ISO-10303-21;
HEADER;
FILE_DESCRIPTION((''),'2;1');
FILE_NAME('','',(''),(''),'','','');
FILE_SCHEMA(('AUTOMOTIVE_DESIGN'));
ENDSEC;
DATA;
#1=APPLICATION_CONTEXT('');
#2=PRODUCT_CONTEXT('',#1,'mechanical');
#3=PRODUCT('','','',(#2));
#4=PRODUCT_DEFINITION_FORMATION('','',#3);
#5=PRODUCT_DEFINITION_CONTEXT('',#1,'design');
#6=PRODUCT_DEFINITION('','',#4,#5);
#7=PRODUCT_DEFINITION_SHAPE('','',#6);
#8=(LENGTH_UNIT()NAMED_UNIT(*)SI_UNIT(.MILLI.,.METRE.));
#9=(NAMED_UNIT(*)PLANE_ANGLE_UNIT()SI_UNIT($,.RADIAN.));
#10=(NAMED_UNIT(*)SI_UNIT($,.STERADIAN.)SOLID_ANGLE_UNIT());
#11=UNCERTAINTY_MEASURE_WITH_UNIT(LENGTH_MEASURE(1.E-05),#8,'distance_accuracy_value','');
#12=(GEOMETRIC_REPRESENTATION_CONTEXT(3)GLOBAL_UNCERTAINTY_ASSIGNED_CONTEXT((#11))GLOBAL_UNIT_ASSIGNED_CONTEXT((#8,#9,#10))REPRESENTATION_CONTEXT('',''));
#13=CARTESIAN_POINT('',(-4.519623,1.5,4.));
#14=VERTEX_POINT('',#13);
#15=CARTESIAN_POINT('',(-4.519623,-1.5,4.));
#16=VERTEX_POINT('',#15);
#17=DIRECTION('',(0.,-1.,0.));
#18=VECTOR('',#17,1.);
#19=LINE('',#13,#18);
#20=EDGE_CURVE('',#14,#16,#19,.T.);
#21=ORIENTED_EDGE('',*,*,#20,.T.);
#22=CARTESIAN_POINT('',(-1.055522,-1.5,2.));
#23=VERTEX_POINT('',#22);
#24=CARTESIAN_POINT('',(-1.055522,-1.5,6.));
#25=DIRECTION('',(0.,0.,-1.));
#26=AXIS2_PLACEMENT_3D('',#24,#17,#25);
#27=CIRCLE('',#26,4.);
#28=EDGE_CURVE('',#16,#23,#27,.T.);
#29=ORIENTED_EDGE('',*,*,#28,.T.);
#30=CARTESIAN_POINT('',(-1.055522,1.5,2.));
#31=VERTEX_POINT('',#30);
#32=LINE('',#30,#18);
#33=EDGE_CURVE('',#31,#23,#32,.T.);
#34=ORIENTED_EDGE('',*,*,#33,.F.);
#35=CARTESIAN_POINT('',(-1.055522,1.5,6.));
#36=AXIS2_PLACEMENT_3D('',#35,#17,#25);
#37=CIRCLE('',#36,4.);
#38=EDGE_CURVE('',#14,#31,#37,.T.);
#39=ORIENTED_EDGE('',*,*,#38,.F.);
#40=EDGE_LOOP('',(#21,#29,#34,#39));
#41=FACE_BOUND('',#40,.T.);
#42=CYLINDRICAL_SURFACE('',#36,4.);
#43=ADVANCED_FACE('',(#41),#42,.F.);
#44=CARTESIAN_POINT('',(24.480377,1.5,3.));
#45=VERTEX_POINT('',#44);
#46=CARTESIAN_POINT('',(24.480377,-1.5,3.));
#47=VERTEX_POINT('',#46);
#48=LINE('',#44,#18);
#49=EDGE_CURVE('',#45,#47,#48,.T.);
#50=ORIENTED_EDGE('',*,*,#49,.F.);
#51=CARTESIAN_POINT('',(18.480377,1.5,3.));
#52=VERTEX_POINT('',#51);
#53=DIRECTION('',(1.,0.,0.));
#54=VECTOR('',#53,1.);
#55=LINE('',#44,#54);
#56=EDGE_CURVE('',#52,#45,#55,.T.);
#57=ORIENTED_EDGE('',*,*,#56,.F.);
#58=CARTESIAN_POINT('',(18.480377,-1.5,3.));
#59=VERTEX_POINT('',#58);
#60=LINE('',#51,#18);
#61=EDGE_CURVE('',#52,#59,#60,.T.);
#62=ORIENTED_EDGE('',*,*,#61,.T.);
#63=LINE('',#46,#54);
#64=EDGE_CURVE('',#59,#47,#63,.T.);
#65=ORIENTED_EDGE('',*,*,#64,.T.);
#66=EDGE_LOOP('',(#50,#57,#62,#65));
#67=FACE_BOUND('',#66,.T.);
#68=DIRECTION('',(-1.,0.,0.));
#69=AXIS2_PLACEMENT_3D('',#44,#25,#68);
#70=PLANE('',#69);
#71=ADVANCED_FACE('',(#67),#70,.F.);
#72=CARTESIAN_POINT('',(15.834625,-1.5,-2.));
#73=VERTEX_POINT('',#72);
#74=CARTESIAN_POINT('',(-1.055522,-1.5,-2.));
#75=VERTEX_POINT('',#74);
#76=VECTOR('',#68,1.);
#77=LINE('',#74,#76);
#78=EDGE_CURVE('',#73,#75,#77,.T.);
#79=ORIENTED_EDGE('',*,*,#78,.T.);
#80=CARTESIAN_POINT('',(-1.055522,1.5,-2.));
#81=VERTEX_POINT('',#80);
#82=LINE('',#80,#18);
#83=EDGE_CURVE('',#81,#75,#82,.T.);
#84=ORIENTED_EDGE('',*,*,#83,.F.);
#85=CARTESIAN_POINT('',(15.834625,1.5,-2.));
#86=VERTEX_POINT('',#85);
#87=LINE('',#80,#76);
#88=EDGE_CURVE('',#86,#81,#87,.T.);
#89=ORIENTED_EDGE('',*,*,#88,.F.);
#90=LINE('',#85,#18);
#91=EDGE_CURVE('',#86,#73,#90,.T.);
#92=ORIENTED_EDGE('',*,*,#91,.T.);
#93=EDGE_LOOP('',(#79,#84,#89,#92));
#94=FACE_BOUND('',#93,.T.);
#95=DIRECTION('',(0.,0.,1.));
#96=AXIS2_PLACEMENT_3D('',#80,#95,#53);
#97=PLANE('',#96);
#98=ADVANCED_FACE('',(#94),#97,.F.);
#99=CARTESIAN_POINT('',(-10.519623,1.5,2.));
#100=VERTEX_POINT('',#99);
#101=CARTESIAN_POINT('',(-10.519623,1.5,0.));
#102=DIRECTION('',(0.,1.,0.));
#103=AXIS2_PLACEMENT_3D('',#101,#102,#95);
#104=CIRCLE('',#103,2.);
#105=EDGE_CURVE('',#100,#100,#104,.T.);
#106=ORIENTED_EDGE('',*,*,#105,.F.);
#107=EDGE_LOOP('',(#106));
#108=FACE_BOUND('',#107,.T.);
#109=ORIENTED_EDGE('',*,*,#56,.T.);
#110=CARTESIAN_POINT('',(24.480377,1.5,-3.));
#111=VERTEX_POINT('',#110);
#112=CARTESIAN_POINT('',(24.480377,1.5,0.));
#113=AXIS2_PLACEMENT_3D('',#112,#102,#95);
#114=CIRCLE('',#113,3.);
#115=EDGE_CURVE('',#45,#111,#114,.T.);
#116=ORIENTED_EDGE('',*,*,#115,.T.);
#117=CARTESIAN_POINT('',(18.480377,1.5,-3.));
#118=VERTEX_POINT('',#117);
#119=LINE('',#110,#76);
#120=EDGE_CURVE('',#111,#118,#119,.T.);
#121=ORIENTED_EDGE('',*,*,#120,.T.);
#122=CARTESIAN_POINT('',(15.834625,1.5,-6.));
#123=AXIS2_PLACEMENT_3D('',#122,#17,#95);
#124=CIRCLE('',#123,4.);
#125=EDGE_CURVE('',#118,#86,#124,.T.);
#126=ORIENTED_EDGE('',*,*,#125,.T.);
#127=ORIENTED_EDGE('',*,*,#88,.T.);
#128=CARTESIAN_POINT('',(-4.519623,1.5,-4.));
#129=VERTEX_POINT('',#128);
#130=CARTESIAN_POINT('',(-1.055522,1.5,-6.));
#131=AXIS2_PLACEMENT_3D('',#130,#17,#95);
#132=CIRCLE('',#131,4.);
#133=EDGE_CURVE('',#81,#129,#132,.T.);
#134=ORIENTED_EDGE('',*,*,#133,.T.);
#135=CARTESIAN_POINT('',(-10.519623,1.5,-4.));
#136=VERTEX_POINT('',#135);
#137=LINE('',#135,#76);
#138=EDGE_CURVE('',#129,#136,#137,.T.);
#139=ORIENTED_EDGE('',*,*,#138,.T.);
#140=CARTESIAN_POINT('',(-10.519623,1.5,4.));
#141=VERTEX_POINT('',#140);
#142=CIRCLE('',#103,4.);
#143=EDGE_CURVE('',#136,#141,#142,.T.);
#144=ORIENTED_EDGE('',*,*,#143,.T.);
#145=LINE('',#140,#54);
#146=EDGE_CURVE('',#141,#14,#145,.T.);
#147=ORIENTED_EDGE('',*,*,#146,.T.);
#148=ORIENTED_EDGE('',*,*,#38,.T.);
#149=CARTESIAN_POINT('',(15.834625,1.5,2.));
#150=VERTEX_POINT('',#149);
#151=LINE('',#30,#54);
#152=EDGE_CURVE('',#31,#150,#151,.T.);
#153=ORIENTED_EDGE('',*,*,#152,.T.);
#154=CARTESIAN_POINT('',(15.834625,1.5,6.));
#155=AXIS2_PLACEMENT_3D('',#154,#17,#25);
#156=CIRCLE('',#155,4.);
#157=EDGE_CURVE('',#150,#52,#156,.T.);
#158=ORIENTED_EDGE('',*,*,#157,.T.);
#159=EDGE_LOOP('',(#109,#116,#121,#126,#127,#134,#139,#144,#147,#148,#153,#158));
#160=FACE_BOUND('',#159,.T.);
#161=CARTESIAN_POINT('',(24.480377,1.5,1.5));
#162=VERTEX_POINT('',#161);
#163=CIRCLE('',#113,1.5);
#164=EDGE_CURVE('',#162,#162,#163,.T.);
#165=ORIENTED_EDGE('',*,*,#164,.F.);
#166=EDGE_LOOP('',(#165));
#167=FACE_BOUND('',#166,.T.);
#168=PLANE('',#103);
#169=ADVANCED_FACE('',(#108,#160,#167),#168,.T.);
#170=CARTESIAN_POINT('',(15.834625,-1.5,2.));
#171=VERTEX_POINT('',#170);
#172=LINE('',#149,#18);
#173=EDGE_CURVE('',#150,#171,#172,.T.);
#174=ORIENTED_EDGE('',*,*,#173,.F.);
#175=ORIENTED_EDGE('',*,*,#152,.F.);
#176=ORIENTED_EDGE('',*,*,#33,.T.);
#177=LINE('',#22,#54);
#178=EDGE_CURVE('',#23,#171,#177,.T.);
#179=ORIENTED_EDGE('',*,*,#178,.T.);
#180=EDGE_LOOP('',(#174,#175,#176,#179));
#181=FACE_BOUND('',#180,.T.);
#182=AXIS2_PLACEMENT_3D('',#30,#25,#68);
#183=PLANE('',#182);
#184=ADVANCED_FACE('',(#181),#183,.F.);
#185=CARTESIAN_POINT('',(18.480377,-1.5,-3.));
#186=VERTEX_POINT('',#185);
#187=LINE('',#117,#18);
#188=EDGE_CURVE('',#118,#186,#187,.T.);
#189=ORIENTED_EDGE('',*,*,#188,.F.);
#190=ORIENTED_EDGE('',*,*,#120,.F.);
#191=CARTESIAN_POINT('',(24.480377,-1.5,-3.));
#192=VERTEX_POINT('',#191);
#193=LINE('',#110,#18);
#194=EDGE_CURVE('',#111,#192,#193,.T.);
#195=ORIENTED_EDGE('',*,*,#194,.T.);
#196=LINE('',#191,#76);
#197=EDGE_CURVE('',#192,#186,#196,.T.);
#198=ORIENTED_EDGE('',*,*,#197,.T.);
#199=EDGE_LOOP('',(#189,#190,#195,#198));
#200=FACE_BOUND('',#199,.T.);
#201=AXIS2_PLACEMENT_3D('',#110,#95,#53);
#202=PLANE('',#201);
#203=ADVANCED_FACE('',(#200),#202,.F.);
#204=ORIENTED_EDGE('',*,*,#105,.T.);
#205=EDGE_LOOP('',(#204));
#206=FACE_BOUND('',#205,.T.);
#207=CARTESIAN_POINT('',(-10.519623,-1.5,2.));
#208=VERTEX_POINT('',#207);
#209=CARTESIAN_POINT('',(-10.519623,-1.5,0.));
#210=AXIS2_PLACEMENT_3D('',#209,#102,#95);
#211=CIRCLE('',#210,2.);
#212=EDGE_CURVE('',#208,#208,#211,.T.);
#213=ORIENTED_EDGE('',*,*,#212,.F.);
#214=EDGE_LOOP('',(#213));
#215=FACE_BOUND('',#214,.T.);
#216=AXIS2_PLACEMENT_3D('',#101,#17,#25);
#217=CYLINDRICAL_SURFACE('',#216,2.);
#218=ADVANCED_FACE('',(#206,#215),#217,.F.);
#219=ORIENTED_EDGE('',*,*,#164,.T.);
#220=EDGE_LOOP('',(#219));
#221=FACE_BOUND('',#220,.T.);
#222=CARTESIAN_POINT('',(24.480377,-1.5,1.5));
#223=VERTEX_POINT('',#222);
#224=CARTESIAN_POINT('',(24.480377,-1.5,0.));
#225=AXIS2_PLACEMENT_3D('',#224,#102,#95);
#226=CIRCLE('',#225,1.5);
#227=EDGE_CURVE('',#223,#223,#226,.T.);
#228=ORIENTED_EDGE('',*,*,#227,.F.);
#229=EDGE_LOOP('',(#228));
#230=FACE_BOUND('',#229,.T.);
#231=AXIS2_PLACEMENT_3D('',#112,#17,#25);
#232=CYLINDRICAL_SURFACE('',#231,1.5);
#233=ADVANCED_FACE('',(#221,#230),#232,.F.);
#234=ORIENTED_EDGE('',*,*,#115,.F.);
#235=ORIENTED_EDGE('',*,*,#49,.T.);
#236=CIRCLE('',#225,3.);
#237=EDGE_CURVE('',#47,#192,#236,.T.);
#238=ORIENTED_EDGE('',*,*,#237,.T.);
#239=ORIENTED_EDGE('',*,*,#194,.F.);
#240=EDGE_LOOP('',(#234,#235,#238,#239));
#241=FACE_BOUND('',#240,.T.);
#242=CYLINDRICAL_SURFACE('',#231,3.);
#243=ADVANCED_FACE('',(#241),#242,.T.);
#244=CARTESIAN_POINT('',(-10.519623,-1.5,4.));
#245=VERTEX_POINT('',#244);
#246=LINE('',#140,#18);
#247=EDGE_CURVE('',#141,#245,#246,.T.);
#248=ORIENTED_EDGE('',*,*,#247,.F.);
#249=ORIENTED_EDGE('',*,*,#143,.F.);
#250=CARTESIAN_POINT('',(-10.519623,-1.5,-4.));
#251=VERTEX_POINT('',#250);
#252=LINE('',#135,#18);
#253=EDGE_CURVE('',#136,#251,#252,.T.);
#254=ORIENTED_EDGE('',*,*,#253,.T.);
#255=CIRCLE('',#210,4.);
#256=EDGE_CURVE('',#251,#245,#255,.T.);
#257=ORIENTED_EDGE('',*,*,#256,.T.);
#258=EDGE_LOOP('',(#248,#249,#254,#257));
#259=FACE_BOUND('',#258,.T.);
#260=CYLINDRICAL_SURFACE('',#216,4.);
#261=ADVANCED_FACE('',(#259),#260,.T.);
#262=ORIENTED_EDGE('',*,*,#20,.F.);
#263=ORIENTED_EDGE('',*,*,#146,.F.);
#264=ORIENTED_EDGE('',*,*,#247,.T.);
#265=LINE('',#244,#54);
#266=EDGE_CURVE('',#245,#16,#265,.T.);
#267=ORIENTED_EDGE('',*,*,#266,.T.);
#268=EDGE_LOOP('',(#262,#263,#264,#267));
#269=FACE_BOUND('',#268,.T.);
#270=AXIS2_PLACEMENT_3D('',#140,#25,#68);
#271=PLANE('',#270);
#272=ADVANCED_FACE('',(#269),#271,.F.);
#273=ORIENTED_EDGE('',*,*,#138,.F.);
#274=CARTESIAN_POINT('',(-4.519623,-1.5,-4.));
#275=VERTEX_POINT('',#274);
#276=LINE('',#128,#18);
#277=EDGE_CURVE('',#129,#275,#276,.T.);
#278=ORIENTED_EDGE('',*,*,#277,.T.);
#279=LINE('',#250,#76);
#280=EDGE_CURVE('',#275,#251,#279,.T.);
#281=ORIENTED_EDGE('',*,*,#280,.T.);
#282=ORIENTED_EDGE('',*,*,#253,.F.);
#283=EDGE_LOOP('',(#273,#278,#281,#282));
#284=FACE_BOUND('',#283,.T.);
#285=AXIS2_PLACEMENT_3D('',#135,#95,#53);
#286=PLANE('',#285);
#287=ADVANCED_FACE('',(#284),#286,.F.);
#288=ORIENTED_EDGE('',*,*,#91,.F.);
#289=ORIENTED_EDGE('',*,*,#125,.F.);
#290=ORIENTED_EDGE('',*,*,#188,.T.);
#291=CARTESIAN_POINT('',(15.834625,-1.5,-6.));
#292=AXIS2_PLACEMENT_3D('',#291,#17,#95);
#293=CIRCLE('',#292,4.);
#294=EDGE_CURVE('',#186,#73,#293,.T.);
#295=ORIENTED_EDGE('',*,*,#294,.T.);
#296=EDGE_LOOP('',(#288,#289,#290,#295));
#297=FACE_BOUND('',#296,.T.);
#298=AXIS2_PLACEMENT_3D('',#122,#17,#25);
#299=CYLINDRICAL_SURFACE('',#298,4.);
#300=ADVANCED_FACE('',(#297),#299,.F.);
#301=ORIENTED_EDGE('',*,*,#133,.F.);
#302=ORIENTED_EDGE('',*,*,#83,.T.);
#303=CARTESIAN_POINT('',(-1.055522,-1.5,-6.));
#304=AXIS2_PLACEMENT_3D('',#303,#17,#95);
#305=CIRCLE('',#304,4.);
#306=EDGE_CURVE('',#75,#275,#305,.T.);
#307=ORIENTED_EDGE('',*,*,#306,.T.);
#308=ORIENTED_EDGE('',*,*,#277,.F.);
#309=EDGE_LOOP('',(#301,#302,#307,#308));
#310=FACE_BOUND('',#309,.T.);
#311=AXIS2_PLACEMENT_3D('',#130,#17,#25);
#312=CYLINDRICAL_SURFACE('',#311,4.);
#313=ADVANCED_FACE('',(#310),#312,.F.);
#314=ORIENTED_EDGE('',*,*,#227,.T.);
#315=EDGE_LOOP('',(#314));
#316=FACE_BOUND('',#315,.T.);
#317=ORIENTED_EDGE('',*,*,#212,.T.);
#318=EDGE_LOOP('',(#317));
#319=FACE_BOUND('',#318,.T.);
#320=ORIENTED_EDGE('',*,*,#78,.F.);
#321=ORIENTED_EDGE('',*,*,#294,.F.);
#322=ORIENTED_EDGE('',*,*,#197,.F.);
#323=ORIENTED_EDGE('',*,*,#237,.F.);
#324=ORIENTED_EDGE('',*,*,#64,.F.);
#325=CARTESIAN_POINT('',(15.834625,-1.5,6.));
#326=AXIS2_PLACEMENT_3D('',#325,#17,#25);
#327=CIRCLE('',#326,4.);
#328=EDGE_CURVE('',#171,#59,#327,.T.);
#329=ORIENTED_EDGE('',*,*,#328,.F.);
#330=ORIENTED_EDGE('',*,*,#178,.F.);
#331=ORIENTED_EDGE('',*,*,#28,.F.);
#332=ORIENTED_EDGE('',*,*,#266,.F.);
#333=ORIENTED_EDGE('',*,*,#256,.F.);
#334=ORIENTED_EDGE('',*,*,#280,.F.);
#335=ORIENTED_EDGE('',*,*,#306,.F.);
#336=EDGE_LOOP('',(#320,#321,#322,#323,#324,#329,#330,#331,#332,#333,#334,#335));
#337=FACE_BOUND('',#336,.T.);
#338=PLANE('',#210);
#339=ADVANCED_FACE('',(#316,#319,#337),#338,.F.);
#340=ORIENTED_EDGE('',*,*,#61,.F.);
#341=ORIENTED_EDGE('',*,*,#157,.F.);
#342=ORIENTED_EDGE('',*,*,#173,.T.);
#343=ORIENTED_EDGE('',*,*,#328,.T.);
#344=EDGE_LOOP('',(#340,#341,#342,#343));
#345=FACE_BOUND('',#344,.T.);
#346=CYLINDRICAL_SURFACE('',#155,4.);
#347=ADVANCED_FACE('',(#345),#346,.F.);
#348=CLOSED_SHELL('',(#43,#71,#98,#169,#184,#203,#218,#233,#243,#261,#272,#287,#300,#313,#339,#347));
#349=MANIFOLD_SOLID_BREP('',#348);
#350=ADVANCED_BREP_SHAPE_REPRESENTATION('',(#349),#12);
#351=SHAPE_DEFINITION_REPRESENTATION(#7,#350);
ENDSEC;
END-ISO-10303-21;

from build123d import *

# Parameters (mm, degrees)
SKETCH1_R           = 2
SKETCH1_R_2         = 1.5
BOSS_EXTRUDE1_DEPTH = 1.5


with BuildPart() as part:
    # Sketch1 → Boss-Extrude1 (new body, symmetric)
    with BuildSketch(Plane(origin=(0, 0, 0), x_dir=(1, 0, 0), z_dir=(0, 1, 0))):
        with BuildLine():
            Line((-10.519623347, 4), (-4.519623347, 4))
            ThreePointArc((-4.519623347, 4), (-3.055521732, 2.535898385), (-1.055521732, 2))
            Line((-1.055521732, 2), (15.834625342, 2))
            ThreePointArc((15.834625342, 2), (17.248838905, 2.258342613), (18.480376653, 3))
            Line((18.480376653, 3), (24.480376653, 3))
            ThreePointArc((24.480376653, 3), (27.480376653, 0), (24.480376653, -3))
            Line((24.480376653, -3), (18.480376653, -3))
            ThreePointArc((18.480376653, -3), (17.248838905, -2.258342613), (15.834625342, -2))
            Line((15.834625342, -2), (-1.055521732, -2))
            ThreePointArc((-1.055521732, -2), (-3.055521732, -2.535898385), (-4.519623347, -4))
            Line((-4.519623347, -4), (-10.519623347, -4))
            ThreePointArc((-10.519623347, -4), (-14.519623347, 0), (-10.519623347, 4))
        make_face()
        with Locations((-10.519623347, 0)):
            Circle(SKETCH1_R, mode=Mode.SUBTRACT)
        with Locations((24.480376653, 0)):
            Circle(SKETCH1_R_2, mode=Mode.SUBTRACT)
    extrude(amount=BOSS_EXTRUDE1_DEPTH, both=True)


solid = part.part
